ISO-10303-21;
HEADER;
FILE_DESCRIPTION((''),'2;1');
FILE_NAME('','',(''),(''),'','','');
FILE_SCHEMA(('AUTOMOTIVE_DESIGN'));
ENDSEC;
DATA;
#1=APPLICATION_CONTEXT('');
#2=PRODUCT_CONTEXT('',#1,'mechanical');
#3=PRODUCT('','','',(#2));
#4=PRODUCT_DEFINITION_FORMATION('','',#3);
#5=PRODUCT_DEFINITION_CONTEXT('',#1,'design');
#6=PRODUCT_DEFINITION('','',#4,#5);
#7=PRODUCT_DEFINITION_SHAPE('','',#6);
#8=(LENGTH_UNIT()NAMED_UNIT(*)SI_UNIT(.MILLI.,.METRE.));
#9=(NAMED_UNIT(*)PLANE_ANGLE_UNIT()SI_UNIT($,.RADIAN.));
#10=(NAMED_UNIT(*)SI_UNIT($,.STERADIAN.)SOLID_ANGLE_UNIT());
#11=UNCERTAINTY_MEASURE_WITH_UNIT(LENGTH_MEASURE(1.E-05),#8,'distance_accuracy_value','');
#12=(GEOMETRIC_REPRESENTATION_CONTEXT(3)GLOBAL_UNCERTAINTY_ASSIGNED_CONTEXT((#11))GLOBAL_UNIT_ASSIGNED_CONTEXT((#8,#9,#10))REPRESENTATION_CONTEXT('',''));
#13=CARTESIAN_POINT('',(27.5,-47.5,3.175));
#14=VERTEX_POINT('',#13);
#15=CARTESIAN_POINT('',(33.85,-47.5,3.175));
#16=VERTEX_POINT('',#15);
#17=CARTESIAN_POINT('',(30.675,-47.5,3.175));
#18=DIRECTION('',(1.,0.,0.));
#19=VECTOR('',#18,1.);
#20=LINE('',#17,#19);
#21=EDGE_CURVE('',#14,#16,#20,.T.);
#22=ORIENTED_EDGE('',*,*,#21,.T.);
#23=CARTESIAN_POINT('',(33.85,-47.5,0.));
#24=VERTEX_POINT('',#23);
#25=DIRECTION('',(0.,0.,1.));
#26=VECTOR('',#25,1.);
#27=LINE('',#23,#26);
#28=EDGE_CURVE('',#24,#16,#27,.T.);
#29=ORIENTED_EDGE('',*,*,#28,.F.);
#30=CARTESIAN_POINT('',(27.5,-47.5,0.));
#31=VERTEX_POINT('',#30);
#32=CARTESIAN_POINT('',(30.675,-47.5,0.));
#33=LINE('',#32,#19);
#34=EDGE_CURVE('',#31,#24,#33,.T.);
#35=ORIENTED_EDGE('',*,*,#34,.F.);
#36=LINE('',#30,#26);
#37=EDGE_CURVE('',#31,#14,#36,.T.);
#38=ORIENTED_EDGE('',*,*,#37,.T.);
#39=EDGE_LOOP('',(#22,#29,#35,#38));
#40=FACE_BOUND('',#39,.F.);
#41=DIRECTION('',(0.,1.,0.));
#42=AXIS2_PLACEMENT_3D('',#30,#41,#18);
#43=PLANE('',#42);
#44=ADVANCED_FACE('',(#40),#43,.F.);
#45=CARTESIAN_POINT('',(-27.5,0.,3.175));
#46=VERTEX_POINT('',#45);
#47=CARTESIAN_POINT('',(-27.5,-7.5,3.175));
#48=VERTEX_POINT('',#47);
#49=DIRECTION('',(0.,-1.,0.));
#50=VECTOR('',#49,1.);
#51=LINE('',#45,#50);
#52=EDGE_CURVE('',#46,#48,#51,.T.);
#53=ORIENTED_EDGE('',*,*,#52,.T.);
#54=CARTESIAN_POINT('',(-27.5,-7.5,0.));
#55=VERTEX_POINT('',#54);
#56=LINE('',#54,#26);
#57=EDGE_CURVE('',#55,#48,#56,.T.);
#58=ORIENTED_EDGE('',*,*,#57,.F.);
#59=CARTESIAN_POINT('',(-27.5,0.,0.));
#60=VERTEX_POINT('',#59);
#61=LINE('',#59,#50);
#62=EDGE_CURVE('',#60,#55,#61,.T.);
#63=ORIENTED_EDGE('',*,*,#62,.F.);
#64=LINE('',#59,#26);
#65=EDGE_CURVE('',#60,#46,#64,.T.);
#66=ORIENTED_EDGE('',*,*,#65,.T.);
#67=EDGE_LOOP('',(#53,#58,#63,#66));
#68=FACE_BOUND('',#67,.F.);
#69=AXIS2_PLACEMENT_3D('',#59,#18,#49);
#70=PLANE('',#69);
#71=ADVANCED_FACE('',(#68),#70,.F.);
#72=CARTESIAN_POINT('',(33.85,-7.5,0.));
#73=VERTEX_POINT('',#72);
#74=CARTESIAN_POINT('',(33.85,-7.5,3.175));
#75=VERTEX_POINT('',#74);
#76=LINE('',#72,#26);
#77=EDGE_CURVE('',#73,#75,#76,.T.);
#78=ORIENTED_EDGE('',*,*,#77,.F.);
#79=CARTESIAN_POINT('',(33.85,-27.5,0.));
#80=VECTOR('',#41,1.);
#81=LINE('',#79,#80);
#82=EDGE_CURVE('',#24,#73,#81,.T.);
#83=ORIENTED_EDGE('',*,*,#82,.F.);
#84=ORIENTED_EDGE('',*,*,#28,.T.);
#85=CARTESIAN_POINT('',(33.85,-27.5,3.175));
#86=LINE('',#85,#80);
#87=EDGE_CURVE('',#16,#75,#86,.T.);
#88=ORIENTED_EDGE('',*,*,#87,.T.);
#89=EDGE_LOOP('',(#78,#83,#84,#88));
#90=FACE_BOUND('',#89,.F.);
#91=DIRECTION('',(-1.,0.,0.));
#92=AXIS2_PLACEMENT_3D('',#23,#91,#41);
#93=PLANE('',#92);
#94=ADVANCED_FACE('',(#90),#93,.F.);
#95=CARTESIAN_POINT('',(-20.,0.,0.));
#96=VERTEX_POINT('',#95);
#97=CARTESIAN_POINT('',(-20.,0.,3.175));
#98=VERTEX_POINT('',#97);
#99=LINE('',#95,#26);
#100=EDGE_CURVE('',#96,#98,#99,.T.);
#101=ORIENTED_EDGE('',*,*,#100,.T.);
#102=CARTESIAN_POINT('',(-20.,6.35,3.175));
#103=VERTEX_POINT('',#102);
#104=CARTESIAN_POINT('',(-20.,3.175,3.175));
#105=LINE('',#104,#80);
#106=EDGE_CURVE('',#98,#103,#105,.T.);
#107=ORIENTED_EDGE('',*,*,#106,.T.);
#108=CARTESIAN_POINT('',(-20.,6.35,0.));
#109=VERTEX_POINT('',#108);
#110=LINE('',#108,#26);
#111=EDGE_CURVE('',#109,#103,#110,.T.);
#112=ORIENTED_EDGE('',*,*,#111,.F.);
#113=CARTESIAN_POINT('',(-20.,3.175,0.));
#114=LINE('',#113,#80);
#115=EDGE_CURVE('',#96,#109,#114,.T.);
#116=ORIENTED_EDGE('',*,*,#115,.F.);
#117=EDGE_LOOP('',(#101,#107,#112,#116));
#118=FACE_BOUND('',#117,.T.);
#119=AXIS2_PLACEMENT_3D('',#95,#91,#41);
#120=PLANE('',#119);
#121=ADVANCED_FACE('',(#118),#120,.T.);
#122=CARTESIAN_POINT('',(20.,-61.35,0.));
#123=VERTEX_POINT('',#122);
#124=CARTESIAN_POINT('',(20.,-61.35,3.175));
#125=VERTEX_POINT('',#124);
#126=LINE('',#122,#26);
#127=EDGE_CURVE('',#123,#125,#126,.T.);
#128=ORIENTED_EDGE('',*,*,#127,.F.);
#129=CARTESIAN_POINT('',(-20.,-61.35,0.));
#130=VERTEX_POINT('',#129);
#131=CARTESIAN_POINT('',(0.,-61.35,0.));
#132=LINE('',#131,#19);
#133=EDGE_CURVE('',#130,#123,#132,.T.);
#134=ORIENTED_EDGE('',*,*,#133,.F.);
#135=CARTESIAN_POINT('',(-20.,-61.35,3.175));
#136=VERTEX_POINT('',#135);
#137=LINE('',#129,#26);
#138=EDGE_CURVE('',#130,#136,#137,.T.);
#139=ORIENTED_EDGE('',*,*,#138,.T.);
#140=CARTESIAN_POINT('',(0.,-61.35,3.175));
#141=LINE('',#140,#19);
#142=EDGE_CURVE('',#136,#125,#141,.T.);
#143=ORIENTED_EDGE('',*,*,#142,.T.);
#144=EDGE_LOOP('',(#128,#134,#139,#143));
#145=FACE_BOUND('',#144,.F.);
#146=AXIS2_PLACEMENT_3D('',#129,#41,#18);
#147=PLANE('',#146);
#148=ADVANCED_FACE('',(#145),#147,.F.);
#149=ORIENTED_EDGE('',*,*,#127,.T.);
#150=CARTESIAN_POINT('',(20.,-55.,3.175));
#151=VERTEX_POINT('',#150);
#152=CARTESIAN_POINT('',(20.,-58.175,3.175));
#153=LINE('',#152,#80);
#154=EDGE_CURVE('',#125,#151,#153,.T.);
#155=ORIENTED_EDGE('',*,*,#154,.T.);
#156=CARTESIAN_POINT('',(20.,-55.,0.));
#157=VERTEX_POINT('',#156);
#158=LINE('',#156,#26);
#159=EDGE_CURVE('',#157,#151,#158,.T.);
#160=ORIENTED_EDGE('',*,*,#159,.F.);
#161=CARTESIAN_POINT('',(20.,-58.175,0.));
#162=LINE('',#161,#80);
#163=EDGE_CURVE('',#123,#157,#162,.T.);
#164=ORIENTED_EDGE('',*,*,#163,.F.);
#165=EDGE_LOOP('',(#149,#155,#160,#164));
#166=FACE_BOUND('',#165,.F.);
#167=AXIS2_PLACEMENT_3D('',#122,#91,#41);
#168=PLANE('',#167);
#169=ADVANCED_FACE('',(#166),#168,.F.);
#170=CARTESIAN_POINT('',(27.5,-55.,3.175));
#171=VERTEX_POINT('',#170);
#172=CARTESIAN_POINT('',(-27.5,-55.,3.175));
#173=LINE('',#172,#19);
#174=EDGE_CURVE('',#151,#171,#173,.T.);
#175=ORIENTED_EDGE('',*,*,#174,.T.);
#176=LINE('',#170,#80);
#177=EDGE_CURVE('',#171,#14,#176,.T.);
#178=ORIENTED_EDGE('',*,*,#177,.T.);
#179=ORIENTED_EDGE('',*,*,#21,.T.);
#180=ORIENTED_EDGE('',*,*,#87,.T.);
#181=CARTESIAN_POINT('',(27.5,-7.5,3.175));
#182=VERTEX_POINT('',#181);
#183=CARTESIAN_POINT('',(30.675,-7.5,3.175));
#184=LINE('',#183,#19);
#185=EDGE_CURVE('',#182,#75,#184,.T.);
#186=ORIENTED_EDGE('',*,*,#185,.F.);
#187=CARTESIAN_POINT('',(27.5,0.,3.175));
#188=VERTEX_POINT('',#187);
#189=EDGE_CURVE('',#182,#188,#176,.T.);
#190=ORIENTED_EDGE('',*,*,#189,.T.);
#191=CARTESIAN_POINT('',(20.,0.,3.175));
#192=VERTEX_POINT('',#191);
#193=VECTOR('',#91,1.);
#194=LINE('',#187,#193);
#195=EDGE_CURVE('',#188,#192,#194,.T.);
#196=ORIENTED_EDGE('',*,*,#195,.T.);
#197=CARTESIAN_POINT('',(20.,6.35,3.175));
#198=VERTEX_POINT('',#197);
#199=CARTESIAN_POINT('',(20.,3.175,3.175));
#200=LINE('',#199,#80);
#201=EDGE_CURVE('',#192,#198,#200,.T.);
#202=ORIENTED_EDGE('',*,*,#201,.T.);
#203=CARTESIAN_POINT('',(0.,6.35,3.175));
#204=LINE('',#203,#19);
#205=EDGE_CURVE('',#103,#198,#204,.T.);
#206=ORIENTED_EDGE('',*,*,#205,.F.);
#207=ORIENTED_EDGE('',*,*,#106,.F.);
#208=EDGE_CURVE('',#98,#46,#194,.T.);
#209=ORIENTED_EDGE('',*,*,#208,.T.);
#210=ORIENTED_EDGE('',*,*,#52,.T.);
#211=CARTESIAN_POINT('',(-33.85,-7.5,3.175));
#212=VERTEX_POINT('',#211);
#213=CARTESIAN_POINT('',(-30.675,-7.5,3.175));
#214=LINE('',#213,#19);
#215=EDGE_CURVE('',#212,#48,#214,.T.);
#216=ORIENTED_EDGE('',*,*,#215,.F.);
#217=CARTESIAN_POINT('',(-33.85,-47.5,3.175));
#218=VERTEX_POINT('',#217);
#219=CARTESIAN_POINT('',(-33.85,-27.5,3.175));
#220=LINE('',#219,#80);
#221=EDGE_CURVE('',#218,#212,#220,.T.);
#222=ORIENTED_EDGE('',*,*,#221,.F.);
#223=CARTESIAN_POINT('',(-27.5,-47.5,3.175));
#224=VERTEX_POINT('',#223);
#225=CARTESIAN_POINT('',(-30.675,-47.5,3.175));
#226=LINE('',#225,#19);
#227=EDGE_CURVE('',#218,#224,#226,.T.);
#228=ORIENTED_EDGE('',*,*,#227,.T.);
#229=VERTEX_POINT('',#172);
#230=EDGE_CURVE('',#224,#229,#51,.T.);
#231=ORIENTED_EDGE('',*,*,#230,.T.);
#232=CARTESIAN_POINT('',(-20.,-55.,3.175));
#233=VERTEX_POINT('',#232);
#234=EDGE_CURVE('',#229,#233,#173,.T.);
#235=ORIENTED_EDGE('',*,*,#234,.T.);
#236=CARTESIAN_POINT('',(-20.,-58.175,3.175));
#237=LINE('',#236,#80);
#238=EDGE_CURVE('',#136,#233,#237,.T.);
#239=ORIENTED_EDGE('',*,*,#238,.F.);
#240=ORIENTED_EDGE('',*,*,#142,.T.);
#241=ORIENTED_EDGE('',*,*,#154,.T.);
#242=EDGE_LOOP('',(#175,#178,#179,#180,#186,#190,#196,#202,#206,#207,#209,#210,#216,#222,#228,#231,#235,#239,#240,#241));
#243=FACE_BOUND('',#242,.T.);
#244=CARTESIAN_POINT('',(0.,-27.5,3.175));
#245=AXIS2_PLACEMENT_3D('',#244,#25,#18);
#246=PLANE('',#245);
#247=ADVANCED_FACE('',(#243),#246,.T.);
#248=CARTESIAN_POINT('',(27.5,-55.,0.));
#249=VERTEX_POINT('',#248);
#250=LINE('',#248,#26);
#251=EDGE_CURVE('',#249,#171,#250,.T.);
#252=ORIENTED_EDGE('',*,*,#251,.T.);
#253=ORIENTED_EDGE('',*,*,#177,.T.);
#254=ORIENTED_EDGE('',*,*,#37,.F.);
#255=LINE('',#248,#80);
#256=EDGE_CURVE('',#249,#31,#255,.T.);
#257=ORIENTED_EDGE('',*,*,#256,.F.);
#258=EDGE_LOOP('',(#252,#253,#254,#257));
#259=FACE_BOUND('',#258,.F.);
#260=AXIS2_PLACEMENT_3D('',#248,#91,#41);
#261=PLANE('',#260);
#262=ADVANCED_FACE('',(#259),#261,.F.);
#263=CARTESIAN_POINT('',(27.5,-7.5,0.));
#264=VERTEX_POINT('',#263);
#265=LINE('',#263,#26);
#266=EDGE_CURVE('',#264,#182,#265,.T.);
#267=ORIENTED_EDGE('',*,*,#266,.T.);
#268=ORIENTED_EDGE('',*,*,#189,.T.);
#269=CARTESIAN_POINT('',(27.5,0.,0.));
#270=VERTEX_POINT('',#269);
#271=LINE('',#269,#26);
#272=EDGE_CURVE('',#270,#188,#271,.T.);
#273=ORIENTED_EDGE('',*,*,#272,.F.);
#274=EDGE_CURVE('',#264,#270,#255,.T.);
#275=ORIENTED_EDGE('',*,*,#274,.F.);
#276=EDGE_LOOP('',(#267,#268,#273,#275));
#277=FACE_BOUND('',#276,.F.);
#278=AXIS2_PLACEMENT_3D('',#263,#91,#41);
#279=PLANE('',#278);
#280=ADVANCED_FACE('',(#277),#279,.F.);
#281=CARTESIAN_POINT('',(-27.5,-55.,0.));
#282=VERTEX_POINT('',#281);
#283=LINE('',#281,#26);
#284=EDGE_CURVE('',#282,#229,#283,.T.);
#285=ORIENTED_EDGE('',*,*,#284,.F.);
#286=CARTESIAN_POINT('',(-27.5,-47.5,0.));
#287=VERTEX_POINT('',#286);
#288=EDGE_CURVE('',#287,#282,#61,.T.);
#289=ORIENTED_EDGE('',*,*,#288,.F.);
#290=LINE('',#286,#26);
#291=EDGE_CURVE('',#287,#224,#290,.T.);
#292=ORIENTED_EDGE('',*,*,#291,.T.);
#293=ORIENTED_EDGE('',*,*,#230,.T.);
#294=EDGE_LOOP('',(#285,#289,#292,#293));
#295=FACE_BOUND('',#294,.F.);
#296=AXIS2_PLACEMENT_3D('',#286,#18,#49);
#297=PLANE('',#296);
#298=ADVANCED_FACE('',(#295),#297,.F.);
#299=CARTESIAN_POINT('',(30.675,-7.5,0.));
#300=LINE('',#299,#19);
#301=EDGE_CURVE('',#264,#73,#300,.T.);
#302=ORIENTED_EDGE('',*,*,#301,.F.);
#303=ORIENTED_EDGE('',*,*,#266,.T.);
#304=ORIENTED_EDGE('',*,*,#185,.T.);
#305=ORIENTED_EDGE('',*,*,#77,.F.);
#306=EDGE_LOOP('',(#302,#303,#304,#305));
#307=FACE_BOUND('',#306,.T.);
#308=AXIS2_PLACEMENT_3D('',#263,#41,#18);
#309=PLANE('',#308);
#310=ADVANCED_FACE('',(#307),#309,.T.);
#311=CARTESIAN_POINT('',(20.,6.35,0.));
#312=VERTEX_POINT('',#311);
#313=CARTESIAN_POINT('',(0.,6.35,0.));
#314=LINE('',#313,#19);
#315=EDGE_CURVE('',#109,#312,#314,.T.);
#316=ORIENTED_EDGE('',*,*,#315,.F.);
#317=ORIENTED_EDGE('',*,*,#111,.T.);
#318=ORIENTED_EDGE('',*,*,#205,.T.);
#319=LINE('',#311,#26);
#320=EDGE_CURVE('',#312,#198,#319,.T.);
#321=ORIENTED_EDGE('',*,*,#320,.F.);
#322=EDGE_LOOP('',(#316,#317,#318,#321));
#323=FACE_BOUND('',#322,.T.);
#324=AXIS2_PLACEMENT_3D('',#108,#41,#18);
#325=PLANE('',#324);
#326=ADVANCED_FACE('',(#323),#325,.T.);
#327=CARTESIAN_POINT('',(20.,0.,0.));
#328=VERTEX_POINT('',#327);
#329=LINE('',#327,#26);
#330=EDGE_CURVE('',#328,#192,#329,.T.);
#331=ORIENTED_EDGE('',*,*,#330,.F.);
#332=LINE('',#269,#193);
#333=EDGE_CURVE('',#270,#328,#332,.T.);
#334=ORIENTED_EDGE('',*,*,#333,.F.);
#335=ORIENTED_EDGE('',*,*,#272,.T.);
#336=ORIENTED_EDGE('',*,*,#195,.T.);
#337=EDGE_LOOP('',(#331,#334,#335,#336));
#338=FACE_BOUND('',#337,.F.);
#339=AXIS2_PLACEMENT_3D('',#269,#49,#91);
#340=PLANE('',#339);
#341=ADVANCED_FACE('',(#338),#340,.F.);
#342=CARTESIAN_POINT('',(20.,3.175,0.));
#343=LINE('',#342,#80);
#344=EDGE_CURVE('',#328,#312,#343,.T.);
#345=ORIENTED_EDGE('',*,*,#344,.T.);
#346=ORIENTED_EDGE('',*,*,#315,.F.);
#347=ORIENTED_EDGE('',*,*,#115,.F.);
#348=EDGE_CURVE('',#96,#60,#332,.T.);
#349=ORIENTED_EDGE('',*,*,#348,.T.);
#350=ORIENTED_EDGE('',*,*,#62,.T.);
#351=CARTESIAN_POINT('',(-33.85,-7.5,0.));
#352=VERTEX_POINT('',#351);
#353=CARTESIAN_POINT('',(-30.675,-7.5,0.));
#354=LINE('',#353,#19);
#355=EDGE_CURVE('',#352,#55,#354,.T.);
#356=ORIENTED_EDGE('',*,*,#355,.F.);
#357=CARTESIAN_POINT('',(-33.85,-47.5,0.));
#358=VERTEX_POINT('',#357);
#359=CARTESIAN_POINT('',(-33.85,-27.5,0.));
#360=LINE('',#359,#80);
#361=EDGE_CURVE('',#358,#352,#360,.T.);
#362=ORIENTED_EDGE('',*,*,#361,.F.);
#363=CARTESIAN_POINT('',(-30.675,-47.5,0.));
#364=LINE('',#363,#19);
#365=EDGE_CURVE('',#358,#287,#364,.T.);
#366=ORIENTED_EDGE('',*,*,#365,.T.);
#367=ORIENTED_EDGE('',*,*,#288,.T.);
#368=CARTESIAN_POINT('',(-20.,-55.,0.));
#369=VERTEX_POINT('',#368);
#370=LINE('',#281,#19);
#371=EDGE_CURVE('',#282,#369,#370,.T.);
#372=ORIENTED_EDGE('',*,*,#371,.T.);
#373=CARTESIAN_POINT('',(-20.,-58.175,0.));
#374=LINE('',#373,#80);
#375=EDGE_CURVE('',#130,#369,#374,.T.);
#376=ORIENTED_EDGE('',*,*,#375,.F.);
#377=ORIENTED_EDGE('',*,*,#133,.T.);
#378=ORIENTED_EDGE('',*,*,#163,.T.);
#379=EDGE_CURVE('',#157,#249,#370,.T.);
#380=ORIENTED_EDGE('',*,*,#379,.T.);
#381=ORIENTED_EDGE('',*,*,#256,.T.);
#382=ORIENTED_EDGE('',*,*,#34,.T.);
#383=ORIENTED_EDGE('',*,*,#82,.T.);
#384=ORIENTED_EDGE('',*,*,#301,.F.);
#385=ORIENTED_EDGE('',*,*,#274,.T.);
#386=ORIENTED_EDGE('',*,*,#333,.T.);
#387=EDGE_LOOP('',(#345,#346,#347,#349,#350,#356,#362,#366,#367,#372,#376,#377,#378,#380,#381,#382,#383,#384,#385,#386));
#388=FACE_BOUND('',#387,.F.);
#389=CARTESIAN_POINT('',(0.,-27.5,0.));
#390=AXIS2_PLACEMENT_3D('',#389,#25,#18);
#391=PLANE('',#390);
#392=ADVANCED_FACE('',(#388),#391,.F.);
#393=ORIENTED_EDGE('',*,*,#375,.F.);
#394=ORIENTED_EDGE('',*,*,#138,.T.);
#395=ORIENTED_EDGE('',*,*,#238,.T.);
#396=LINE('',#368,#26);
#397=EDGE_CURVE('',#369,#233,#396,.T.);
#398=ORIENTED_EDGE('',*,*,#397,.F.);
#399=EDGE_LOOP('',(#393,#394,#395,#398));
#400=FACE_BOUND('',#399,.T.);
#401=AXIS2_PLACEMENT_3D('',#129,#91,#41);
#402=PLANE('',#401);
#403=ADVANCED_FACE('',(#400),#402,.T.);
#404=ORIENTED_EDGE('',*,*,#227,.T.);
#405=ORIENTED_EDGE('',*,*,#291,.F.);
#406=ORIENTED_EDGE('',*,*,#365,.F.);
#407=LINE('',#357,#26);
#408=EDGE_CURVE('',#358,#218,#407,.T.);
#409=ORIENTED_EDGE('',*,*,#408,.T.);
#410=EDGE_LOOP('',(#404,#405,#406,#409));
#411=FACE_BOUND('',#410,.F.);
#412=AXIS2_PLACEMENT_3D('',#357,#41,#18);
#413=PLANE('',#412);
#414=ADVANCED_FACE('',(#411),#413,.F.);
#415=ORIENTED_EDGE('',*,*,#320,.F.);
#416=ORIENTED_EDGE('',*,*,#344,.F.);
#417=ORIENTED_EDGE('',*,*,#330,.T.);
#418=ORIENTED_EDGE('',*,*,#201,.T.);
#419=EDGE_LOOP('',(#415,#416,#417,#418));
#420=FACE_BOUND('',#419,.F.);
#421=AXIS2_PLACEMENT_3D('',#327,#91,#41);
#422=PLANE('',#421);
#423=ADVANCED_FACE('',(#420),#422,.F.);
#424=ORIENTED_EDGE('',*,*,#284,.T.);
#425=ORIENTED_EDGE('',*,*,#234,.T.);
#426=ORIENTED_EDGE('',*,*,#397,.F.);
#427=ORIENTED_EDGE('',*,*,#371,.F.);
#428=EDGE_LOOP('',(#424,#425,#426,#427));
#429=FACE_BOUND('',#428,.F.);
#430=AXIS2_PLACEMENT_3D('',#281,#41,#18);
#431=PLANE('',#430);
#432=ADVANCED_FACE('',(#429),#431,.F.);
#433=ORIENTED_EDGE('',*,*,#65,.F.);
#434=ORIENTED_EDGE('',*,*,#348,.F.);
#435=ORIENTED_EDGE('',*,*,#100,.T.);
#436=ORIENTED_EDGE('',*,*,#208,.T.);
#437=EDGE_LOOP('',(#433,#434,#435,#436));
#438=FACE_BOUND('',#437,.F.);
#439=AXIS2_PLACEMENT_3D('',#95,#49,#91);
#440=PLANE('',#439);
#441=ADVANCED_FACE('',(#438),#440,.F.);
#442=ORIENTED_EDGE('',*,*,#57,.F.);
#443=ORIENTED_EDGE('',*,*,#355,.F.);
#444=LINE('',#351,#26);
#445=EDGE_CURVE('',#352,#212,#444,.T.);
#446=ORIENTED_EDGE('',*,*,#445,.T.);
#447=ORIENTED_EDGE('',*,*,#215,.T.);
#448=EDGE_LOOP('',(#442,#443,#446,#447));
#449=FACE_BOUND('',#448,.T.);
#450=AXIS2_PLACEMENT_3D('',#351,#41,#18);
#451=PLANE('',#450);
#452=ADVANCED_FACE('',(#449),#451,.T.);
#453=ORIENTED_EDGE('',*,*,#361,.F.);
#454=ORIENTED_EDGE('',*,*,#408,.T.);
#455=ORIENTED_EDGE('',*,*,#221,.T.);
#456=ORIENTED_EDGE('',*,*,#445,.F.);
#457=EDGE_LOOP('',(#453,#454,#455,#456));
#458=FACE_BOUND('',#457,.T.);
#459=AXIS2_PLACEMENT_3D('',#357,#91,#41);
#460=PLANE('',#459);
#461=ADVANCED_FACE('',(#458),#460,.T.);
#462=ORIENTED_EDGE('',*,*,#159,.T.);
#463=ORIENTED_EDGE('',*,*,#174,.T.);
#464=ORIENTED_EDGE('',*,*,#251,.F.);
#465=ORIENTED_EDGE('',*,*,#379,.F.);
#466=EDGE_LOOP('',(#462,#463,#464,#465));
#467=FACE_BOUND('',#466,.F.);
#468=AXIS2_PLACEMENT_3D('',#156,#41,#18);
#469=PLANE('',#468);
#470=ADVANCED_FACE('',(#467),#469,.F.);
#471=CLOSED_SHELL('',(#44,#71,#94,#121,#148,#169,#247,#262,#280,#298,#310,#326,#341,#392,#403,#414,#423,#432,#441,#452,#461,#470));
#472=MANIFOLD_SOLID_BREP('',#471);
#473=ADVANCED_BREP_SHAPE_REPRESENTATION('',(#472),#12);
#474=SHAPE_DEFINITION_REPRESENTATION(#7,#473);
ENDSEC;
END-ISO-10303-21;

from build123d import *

# Parameters (mm, degrees)
F0_W     = 40
F0_H     = 6.35
F0_W_2   = 6.35
F0_H_2   = 40
F1_DEPTH = 3.175


with BuildPart() as f1:
    # F0 (on Top) → F1 (new body)
    with BuildSketch(Plane.XY):
        Polygon((-20, 0), (-27.5, 0), (-27.5, -7.5), (-27.5, -47.5), (-27.5, -55), (-20, -55), (20, -55), (27.5, -55), (27.5, -47.5), (27.5, -7.5), (27.5, 0), (20, 0), align=None)
        with Locations((0, 3.175)):
            Rectangle(F0_W, F0_H)
        with Locations((-30.675, -27.5)):
            Rectangle(F0_W_2, F0_H_2)
        with Locations((30.675, -27.5)):
            Rectangle(F0_W_2, F0_H_2)
        with Locations((0, -58.175)):
            Rectangle(F0_W, F0_H)
    extrude(amount=F1_DEPTH)


solid = f1.part
